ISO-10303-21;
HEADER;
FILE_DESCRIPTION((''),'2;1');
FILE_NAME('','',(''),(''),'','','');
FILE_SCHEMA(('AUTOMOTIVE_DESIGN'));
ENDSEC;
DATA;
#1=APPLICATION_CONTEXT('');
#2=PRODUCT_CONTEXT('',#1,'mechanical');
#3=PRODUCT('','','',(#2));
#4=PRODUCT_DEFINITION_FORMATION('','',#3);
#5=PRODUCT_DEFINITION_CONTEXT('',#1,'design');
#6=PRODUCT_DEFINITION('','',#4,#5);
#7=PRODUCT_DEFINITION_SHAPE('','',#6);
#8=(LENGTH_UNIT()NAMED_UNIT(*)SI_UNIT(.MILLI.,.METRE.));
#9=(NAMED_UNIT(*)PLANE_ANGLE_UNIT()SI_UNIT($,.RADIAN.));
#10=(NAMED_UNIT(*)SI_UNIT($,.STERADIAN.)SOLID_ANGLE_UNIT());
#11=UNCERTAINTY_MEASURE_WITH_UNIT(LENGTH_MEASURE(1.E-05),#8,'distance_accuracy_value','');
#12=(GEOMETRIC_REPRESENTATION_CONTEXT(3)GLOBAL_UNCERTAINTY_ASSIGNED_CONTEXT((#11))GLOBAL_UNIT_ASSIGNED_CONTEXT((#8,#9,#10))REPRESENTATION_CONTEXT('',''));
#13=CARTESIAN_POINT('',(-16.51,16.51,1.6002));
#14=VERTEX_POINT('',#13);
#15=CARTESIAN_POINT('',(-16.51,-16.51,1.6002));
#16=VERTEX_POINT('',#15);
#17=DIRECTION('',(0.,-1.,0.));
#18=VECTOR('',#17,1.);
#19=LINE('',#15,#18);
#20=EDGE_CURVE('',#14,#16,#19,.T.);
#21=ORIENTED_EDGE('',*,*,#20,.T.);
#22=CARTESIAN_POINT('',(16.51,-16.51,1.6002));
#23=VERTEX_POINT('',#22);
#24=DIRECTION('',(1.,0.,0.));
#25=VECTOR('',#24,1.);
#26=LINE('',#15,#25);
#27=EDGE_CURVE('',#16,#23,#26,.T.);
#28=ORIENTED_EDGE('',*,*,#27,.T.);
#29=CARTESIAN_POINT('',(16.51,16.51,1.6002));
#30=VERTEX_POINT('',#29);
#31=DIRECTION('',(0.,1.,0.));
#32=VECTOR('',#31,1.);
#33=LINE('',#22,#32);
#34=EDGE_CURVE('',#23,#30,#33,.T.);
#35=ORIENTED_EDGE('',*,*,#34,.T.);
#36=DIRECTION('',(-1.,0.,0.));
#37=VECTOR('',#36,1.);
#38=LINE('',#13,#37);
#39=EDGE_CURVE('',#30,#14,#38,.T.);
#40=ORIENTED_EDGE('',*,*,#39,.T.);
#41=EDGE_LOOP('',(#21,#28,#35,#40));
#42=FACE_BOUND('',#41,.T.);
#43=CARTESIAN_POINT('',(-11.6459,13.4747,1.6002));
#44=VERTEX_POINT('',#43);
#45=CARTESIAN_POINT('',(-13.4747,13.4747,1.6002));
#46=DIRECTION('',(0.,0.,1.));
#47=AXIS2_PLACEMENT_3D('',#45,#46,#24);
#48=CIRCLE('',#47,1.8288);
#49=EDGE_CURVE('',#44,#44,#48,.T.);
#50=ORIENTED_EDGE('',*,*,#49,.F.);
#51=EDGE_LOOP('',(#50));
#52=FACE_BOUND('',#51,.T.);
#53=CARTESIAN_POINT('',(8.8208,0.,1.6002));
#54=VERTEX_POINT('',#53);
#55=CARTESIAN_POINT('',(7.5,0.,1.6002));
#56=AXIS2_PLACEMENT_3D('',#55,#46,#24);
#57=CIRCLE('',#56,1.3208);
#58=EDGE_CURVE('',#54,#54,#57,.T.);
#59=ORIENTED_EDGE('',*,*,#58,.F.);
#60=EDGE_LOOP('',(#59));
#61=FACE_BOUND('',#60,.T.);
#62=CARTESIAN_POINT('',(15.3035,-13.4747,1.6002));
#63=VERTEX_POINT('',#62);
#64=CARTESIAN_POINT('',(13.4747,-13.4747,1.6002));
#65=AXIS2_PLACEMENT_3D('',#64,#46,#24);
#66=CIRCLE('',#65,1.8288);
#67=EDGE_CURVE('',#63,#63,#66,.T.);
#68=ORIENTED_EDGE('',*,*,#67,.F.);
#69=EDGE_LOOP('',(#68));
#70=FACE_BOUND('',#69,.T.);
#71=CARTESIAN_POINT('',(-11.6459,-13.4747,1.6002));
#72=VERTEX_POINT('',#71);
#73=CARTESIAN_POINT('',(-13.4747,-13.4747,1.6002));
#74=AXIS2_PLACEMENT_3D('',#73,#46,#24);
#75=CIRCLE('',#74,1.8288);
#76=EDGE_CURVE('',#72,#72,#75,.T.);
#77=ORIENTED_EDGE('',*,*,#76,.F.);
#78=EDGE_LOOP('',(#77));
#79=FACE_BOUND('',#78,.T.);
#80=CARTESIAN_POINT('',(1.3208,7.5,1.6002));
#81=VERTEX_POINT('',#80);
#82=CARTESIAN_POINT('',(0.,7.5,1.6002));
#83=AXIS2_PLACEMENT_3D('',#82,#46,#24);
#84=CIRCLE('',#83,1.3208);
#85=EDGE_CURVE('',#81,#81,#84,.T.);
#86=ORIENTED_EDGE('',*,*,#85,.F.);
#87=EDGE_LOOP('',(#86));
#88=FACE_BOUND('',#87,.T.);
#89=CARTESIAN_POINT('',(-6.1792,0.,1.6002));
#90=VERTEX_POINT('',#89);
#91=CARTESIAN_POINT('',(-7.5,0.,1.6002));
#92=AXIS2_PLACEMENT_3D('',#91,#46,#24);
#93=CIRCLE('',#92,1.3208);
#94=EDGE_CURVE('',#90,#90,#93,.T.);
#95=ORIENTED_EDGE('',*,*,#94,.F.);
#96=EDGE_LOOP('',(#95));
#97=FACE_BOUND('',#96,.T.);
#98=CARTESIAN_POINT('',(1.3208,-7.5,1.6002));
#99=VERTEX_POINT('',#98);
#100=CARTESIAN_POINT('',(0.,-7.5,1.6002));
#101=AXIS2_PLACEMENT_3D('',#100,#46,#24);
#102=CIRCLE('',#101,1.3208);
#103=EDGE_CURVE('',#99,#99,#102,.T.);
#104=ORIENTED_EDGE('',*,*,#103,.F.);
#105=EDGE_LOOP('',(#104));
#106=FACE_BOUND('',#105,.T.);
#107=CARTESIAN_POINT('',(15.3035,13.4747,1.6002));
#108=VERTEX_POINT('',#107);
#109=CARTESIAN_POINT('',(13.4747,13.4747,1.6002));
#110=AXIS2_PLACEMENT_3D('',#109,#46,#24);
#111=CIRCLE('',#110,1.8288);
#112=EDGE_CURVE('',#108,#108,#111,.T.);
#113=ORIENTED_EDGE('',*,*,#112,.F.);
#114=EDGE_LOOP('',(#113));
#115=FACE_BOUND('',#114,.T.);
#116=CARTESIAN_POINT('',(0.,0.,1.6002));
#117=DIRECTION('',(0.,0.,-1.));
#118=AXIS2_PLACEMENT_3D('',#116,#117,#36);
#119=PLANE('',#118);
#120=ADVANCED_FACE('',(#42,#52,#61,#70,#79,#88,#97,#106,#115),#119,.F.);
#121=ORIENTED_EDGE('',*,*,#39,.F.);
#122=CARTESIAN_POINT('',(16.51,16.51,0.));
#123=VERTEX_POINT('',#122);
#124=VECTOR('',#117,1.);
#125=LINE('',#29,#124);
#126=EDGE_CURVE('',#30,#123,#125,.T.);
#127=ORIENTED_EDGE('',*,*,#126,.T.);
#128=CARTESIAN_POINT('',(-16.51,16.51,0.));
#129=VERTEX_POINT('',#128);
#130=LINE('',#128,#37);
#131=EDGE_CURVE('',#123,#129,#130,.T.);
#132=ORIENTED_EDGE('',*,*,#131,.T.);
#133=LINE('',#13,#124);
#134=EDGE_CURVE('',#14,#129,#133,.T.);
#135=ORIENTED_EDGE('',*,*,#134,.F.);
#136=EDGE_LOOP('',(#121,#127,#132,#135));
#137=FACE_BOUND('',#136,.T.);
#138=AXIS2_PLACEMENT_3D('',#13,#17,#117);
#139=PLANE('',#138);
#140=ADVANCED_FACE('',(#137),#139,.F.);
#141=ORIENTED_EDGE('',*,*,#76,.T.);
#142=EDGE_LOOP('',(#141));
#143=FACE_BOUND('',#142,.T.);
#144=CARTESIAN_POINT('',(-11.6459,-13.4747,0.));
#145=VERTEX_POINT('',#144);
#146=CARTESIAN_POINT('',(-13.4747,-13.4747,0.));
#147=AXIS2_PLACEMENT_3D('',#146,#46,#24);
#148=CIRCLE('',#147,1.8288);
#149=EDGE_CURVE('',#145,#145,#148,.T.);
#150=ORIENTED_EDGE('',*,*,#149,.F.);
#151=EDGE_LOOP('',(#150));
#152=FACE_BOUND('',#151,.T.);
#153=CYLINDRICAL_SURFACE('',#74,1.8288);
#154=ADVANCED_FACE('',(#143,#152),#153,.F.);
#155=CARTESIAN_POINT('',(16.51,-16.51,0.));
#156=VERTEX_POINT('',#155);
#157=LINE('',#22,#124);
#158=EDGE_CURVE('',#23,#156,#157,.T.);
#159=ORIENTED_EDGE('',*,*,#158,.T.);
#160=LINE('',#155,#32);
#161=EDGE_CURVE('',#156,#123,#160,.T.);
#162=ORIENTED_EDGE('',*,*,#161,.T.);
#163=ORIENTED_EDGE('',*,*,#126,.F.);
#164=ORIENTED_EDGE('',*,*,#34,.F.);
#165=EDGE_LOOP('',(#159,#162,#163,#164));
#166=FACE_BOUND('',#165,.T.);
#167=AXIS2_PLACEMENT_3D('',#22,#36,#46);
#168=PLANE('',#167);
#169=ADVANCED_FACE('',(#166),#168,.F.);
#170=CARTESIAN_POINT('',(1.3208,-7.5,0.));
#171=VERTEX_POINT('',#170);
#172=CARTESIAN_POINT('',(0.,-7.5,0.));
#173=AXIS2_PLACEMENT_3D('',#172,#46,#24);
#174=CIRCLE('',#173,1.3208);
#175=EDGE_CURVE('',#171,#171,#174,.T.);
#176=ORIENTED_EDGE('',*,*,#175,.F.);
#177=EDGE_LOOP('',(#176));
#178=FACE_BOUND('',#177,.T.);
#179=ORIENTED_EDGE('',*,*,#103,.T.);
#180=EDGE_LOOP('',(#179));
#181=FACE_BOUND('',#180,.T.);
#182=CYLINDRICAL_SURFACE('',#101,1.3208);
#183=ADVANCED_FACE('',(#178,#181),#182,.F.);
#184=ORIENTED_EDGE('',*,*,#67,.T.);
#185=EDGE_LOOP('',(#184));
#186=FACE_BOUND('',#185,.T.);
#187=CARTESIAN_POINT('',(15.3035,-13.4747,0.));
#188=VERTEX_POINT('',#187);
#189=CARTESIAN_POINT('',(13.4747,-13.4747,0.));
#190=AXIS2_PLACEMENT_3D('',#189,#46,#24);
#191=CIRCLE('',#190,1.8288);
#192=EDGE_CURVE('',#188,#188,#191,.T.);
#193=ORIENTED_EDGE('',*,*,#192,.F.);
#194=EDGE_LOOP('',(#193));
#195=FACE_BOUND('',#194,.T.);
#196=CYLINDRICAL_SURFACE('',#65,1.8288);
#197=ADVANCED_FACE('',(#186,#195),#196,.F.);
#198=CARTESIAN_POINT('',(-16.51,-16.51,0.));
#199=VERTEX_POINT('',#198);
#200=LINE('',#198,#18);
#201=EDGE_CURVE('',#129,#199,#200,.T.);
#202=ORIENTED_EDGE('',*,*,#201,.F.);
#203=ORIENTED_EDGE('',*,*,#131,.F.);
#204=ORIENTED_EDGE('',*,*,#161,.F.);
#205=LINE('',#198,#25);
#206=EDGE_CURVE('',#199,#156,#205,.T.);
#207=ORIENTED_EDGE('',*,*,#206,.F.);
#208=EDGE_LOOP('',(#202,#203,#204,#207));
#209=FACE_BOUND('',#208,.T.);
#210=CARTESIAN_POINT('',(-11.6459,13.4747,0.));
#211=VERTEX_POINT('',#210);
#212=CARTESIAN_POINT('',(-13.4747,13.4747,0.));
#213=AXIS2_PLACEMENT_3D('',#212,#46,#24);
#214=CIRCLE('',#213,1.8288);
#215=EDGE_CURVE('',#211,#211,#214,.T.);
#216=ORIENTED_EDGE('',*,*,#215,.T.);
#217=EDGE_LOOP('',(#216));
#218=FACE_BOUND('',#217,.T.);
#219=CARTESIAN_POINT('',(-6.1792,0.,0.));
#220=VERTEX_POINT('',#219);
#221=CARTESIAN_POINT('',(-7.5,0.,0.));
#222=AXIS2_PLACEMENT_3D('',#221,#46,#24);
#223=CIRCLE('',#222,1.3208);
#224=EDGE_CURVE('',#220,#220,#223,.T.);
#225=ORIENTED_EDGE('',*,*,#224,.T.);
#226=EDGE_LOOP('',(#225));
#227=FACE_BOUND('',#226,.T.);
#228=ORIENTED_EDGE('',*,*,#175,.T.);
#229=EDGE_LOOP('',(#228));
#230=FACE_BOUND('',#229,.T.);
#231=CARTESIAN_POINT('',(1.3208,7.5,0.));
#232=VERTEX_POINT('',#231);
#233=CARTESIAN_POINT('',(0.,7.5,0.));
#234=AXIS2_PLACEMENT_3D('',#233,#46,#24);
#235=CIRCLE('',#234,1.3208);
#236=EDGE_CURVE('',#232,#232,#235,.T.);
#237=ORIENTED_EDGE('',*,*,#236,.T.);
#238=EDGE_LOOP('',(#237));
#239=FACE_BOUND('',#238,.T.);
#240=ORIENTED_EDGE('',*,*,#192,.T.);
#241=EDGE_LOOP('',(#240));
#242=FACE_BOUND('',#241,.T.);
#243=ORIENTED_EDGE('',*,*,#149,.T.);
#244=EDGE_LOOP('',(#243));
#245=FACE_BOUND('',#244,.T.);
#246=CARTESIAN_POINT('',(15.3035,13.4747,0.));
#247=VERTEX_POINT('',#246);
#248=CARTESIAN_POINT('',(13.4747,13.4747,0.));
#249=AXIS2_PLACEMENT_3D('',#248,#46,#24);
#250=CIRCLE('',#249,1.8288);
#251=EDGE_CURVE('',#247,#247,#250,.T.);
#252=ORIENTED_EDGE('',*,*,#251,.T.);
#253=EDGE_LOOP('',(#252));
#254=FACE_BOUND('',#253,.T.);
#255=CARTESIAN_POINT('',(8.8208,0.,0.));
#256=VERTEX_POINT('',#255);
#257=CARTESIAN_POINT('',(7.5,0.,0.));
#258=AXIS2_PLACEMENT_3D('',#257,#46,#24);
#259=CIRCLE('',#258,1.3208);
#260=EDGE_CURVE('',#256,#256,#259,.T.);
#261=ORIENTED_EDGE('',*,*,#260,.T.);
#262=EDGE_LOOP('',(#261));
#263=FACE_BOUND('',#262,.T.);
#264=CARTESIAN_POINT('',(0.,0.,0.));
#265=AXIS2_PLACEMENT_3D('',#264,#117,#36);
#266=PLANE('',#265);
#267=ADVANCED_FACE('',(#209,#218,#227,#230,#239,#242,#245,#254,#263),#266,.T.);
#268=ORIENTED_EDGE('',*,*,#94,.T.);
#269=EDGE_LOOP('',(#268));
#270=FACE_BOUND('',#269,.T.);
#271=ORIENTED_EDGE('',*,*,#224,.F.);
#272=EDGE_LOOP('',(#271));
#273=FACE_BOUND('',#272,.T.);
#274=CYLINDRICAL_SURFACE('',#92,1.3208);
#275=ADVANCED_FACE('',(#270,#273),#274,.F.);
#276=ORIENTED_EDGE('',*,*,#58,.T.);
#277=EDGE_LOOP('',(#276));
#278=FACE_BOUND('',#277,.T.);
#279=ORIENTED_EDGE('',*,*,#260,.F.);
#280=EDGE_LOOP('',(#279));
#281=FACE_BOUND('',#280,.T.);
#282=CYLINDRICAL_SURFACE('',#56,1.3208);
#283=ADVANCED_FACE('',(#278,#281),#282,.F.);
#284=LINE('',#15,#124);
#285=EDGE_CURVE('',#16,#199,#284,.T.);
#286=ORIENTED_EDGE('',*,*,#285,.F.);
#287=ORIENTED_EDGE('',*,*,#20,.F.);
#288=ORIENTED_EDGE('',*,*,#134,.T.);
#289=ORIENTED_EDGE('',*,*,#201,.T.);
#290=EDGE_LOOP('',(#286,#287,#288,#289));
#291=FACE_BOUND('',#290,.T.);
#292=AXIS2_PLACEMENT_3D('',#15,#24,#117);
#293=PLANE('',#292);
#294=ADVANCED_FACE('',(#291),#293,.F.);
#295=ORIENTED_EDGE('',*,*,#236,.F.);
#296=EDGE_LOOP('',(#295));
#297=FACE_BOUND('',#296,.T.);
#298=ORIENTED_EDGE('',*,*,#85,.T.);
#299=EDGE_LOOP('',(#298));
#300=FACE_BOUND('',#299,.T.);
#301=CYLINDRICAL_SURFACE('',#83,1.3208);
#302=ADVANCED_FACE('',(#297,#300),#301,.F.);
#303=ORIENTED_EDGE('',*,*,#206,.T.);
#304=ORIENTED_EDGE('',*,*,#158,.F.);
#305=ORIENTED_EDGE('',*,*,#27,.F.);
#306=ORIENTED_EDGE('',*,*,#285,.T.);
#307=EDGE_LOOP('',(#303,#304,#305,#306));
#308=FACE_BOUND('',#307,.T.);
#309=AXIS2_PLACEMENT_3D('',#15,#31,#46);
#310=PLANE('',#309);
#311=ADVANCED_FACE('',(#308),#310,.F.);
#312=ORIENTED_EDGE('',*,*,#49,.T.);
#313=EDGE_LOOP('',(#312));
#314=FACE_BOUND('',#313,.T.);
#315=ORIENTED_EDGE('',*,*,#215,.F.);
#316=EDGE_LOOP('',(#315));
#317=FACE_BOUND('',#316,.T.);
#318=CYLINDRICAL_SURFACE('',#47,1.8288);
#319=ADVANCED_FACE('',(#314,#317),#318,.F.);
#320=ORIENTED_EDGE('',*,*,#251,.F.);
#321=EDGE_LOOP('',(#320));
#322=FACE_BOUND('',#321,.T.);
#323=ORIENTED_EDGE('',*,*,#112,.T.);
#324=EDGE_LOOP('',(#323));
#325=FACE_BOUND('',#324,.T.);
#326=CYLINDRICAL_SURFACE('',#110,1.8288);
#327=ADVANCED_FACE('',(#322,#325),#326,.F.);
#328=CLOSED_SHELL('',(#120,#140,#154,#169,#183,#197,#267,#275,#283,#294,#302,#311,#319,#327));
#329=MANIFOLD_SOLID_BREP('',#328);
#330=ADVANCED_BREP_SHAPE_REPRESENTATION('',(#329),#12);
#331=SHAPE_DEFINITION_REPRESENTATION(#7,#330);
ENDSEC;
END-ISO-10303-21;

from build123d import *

# Parameters (mm, degrees)
SKETCH1_W                   = 33.02
SKETCH1_H                   = 33.02
BOSS_EXTRUDE1_DEPTH         = 1.6002
F_27_0_144_DIAMETER_HOLE1_D = 3.6576
F_37_0_104_DIAMETER_HOLE1_D = 2.6416


with BuildPart() as part:
    # Sketch1 → Boss-Extrude1 (new body)
    with BuildSketch(Plane.XY):
        Rectangle(SKETCH1_W, SKETCH1_H)
    extrude(amount=BOSS_EXTRUDE1_DEPTH)

    # #27 (0.144) Diameter Hole1 (through all)
    with Locations(Plane.XY.offset(1.6002)):
        with Locations((-13.4747, 13.4747), (13.4747, 13.4747), (13.4747, -13.4747), (-13.4747, -13.4747)):
            Hole(F_27_0_144_DIAMETER_HOLE1_D / 2)

    # #37 (0.104) Diameter Hole1 (through all)
    with Locations(Plane.XY.offset(1.6002)):
        with Locations((0, 7.5), (7.5, 0), (0, -7.5), (-7.5, 0)):
            Hole(F_37_0_104_DIAMETER_HOLE1_D / 2)


solid = part.part
